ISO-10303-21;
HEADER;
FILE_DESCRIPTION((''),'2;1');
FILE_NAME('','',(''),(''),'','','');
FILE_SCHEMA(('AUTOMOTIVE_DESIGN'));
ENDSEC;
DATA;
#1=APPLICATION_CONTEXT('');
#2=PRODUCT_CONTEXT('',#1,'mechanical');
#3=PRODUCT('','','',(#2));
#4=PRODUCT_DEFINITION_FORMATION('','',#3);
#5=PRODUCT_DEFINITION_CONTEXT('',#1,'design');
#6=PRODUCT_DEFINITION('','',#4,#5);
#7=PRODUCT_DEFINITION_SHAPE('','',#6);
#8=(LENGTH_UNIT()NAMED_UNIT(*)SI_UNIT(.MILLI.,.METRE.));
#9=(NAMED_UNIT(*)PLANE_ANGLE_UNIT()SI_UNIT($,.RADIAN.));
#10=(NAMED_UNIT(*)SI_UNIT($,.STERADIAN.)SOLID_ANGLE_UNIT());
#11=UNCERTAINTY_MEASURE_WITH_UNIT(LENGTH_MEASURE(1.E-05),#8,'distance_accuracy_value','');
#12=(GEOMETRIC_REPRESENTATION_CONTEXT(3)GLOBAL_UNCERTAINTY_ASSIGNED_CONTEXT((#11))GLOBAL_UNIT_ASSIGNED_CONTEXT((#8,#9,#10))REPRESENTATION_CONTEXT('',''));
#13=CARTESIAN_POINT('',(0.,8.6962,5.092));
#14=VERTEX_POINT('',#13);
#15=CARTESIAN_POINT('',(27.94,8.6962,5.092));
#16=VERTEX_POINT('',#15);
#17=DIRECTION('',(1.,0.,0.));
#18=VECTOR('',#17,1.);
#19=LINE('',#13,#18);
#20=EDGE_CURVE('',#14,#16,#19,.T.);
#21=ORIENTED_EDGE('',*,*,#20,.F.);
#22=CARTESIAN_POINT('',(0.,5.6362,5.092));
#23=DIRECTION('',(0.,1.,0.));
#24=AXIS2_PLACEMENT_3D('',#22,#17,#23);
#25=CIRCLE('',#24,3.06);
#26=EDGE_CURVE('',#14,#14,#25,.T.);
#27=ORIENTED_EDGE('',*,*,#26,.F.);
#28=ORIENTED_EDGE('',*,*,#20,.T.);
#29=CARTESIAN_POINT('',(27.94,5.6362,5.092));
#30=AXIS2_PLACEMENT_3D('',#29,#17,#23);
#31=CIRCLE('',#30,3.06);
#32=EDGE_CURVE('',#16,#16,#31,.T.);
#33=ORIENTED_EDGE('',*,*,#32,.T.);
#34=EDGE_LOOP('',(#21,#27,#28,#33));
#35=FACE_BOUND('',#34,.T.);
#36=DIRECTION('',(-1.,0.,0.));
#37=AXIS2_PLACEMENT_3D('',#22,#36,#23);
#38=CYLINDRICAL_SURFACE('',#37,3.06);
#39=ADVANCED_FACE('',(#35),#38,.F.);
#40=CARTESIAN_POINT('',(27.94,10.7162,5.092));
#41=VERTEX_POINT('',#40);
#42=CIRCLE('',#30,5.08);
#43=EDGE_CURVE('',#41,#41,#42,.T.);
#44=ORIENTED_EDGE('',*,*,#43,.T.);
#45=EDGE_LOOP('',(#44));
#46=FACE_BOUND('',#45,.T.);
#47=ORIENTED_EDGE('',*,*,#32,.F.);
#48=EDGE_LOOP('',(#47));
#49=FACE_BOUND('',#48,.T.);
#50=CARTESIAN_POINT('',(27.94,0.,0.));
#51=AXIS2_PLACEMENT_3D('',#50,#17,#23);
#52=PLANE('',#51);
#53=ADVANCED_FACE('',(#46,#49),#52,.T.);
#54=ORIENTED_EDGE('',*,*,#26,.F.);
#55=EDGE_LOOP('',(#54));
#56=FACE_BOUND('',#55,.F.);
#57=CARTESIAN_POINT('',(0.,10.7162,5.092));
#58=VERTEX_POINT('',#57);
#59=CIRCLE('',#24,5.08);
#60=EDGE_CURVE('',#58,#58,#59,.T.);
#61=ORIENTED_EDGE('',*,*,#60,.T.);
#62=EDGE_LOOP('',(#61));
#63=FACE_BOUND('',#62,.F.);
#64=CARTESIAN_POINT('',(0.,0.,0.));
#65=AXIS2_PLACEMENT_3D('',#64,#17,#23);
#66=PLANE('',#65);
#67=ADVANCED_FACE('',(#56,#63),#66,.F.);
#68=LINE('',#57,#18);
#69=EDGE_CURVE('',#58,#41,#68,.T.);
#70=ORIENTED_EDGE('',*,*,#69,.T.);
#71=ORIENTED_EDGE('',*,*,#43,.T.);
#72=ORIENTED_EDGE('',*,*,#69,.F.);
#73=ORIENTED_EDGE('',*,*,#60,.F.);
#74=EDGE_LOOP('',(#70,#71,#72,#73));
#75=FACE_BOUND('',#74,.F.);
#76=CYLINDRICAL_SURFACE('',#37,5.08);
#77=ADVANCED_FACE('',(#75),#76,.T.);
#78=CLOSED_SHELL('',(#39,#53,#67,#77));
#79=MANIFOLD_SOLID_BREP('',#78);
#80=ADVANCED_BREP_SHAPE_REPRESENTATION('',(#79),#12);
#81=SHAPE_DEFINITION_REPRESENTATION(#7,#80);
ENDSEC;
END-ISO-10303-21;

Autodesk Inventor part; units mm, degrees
ref_plane "YZ Plane" through (0, 0, 0) normal (1, 0, 0) x (0, 1, 0)
ref_plane "XZ Plane" through (0, 0, 0) normal (0, 1, 0) x (-1, 0, 0)
ref_plane "XY Plane" through (0, 0, 0) normal (0, 0, 1) x (1, 0, 0)
sketch "Sketch1" plane through (0, 0, 0) normal (1, 0, 0) x (0, 1, 0)
  circle A0 centre (5.6362, 5.092) radius 3.06
  circle A1 centre (5.6362, 5.092) radius 5.08
  point P0 (0, 0)
  dimension "d0" = 6.12
  dimension "d1" = 10.16
extrude "Extrusion1" add sketch "Sketch1" along normal blind 27.94
properties part number "spacer"
